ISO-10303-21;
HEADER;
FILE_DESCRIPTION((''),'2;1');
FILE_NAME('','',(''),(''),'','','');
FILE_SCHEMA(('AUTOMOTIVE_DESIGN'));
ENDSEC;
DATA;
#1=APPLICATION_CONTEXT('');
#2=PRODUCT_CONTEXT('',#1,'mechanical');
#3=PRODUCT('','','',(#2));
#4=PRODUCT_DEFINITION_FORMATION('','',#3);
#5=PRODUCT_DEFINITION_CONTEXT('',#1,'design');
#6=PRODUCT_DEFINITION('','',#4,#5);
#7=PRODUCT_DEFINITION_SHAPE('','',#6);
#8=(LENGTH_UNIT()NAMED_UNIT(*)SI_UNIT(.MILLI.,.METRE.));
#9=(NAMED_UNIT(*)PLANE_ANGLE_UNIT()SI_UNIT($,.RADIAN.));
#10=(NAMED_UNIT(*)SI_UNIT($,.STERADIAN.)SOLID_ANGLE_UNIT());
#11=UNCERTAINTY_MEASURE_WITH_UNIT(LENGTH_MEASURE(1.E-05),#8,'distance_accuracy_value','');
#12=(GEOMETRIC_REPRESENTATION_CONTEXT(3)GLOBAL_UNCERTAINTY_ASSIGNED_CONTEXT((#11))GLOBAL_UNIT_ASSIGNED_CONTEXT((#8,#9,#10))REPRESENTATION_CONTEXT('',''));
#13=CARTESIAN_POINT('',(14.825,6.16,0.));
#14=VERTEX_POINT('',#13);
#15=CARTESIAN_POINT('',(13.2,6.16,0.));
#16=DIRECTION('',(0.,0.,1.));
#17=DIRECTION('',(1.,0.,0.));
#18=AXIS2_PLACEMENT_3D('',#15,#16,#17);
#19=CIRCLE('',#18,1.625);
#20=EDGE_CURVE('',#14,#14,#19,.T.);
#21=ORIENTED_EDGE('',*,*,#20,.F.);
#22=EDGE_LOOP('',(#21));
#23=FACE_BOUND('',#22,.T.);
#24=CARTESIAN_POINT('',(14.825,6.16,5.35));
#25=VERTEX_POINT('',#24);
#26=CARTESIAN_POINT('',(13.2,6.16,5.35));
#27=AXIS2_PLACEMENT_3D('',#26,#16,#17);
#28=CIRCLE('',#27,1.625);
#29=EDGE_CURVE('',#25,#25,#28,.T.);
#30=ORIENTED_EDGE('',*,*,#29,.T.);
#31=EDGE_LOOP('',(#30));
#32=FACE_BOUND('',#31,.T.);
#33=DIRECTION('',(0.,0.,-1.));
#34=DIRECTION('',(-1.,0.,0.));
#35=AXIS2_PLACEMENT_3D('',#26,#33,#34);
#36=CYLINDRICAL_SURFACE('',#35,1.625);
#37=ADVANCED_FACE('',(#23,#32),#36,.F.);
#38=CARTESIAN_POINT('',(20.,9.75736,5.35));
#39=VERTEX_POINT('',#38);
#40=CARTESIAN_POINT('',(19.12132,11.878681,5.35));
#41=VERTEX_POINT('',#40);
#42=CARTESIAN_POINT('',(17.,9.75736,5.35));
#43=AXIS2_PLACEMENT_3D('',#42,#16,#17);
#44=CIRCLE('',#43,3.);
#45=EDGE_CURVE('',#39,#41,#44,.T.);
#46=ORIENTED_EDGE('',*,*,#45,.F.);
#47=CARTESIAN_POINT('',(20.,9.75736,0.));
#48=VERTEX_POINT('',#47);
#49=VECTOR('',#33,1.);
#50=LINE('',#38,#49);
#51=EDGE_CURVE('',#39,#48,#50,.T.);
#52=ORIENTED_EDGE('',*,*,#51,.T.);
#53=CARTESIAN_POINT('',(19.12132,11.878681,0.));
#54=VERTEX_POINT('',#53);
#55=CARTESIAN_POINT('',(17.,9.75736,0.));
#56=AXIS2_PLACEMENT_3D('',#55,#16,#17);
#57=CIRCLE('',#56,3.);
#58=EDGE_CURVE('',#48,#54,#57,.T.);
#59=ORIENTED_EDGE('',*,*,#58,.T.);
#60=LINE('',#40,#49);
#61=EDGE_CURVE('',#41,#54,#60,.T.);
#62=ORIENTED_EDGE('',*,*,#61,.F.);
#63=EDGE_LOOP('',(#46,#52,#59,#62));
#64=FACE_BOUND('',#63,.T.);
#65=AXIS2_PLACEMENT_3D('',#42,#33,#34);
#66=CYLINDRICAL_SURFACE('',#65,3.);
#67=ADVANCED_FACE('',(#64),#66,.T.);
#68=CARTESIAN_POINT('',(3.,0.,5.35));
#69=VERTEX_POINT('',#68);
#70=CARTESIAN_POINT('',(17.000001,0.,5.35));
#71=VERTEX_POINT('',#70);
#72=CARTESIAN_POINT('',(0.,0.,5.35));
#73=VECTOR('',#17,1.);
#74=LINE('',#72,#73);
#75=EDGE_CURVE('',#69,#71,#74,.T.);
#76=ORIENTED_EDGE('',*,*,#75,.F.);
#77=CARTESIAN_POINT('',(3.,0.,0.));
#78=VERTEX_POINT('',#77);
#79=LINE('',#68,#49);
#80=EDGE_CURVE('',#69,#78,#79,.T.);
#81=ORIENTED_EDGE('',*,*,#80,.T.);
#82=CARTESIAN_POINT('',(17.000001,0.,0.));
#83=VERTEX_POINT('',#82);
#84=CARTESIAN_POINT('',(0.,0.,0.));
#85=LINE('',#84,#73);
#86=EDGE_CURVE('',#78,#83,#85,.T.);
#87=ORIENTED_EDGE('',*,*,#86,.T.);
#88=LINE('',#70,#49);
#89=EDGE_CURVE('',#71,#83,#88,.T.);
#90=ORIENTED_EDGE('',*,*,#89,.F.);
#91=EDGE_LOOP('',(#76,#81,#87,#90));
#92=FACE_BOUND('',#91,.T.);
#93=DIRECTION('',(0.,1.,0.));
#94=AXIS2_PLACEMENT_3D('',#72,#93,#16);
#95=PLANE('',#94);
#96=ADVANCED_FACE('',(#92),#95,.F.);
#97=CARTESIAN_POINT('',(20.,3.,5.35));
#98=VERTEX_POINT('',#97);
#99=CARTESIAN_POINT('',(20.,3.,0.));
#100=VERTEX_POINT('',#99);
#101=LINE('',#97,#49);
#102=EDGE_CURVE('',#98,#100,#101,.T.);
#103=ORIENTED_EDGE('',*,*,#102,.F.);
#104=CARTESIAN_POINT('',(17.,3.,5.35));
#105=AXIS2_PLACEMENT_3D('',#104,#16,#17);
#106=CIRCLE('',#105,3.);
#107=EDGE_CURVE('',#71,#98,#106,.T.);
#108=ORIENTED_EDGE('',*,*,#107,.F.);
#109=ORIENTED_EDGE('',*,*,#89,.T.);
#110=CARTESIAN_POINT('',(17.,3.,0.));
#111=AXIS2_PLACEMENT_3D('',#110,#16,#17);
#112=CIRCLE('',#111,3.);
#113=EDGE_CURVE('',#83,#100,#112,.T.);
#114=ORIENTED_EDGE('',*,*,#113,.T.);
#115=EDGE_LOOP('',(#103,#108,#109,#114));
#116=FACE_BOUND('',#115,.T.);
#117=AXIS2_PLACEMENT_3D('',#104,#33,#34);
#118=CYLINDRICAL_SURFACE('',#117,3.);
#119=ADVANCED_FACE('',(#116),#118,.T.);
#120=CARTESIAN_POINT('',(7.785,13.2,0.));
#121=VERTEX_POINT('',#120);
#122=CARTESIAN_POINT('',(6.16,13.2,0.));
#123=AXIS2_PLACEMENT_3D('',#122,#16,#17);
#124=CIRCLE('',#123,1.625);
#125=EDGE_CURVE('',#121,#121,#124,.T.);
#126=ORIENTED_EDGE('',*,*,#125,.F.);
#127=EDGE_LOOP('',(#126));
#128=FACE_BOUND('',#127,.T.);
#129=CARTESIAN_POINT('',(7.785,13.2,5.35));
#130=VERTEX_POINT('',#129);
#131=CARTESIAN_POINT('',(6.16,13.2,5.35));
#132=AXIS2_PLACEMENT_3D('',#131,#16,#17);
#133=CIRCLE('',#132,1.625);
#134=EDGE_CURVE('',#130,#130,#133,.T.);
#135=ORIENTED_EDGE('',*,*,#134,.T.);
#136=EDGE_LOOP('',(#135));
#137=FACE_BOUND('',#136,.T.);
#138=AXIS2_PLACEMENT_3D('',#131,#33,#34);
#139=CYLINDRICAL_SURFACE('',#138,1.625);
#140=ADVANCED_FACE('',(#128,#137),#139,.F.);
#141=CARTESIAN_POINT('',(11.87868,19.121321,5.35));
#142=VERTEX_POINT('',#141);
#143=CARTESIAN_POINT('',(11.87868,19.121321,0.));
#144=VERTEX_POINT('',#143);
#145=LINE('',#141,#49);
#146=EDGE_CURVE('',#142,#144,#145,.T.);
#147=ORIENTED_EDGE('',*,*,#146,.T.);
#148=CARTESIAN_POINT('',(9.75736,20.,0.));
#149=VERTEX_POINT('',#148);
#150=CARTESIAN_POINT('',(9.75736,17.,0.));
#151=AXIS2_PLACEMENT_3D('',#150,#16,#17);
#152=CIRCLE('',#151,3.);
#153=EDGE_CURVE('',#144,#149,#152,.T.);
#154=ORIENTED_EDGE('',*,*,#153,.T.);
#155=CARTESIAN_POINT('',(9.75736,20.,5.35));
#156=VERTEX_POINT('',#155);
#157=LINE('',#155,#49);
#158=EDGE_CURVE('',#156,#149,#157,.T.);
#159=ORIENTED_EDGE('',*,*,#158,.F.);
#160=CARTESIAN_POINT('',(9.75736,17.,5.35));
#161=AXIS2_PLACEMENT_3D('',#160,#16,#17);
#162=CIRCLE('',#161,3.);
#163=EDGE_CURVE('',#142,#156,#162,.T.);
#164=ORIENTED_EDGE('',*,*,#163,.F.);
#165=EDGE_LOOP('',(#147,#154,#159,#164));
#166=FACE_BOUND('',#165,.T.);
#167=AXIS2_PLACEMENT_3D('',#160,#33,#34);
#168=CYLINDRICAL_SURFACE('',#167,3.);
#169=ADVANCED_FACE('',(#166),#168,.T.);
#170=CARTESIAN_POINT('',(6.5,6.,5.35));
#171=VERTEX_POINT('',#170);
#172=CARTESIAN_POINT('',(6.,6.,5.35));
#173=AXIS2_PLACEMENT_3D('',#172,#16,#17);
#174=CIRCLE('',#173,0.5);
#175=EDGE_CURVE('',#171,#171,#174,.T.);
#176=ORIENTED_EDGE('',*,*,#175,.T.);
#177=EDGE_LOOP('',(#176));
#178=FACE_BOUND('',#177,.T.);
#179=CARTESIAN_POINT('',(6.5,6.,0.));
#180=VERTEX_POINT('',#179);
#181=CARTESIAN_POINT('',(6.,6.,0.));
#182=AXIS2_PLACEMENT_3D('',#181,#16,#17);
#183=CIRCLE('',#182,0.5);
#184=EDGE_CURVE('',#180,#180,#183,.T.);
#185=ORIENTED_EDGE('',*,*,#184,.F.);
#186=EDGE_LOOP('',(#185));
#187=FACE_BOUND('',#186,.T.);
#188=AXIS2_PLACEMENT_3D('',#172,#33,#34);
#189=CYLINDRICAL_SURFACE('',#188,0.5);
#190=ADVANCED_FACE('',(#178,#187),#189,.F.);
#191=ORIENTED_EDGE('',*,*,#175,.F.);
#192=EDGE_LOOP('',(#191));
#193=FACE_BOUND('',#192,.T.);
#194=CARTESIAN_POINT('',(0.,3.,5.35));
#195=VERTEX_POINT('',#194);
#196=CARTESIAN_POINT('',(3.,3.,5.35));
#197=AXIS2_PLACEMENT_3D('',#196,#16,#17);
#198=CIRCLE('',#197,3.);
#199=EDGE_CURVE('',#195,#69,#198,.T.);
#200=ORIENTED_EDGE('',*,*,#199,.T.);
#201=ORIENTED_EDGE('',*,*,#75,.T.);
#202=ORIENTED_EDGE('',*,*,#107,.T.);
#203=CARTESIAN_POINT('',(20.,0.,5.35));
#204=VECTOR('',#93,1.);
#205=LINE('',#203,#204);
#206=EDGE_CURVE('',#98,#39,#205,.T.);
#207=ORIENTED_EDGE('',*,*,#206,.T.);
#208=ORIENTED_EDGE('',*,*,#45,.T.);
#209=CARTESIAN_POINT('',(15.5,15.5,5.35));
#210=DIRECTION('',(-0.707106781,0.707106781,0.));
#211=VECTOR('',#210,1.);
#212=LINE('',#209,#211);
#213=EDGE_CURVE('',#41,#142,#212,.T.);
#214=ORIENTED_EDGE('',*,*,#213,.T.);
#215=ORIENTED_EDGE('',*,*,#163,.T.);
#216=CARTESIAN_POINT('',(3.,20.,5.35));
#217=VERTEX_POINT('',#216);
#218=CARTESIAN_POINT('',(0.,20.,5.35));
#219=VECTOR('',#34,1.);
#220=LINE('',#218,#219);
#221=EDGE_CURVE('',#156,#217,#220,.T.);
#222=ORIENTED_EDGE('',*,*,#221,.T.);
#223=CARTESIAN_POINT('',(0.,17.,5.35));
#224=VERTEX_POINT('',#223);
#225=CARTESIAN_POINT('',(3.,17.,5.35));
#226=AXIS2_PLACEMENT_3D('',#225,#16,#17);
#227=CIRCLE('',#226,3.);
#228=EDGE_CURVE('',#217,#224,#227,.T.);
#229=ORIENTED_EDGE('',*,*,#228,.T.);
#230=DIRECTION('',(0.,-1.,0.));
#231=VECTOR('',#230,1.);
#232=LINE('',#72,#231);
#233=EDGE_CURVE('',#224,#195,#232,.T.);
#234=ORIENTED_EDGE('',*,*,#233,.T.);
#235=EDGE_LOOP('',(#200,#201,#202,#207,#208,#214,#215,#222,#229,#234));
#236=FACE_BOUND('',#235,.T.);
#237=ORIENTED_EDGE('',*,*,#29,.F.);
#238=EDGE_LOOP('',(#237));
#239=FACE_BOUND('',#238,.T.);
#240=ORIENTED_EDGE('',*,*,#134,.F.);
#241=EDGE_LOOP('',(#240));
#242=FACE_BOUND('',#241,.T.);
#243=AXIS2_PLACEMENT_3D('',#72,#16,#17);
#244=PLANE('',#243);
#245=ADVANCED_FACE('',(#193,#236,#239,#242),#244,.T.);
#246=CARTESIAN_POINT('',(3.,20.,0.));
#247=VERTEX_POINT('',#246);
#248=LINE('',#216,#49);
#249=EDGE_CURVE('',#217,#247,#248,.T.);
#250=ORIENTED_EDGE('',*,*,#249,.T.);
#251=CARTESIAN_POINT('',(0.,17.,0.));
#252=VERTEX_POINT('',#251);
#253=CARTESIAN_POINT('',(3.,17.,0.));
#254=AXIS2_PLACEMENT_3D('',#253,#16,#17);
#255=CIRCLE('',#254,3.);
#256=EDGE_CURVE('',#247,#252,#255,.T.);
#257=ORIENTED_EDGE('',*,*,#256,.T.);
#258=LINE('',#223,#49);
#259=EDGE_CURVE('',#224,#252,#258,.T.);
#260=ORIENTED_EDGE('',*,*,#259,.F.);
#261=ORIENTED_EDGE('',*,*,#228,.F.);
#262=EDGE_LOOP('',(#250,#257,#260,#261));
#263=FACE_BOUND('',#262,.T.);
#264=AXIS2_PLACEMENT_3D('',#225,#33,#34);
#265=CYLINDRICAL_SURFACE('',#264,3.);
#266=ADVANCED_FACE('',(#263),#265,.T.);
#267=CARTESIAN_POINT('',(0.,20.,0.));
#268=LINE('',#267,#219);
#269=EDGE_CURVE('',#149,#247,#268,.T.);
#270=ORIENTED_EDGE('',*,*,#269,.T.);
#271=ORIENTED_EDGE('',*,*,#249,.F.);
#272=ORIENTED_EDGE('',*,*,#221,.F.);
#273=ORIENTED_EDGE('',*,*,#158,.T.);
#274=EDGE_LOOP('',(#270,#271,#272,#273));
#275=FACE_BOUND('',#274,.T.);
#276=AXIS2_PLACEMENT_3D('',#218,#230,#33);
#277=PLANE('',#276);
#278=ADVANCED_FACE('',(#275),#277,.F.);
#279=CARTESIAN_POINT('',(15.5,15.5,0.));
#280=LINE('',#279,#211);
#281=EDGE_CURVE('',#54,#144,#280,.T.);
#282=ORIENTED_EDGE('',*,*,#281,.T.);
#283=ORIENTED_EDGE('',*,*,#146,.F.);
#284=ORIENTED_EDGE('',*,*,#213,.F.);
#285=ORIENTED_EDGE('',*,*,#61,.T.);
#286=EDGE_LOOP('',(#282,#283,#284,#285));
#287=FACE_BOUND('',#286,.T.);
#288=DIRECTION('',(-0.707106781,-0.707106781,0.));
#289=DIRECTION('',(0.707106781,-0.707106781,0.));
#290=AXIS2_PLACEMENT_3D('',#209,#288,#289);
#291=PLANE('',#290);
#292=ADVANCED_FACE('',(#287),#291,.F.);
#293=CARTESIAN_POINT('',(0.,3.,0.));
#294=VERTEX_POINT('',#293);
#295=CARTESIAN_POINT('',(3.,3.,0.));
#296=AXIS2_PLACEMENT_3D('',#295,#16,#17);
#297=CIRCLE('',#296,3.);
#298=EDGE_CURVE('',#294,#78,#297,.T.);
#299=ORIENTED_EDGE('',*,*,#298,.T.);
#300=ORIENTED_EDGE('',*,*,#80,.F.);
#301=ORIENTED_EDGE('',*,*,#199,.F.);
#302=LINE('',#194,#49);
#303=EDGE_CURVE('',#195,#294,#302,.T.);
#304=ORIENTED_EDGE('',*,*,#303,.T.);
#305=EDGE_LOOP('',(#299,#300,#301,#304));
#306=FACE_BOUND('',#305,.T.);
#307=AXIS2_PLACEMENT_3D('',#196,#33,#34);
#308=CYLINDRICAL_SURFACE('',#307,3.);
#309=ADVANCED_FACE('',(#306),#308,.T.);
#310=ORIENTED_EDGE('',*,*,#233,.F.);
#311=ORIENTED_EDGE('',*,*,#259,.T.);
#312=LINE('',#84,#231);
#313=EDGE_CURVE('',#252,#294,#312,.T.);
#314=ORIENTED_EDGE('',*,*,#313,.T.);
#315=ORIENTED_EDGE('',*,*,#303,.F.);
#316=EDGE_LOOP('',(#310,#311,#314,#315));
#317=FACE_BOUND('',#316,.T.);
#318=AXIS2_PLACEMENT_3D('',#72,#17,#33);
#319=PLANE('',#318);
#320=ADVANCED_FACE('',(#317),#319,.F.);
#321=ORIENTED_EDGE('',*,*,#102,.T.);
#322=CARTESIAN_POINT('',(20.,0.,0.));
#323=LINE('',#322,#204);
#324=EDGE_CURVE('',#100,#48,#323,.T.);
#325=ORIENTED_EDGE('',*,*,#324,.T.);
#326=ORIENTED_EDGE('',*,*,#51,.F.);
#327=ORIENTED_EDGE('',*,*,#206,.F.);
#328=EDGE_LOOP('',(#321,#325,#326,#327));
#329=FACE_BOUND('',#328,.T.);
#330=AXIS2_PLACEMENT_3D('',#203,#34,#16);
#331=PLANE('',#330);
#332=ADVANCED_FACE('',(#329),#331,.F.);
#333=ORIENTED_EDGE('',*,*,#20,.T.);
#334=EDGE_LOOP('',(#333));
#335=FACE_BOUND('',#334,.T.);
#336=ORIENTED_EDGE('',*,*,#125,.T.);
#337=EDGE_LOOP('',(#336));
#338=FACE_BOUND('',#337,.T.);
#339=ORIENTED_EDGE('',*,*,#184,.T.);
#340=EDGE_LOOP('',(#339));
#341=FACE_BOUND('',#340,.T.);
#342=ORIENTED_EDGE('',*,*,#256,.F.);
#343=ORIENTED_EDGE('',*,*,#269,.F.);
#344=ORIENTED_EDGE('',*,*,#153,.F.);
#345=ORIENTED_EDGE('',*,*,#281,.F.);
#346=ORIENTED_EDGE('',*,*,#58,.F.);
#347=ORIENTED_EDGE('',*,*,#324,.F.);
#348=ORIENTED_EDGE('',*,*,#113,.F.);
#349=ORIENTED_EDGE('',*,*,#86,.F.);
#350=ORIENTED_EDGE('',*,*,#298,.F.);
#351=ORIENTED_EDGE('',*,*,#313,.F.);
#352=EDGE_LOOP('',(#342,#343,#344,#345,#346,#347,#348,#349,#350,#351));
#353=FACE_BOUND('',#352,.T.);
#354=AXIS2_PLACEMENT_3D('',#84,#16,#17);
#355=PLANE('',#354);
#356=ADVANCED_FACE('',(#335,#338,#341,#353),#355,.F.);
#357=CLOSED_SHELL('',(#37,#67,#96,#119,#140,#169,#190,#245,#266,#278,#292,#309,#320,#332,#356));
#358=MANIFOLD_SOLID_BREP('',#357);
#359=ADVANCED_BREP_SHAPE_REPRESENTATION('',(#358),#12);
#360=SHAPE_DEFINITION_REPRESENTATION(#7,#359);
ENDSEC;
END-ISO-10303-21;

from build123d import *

# Parameters (mm, degrees)
MODEL_R             = 1.625
MODEL_R_2           = 0.5
BOSS_EXTRUDE1_DEPTH = 5.35


with BuildPart() as part:
    # Model → Boss-Extrude1 (new body)
    with BuildSketch(Plane.XY):
        with BuildLine():
            Line((0, 16.999999553), (0, 3.000000026))
            ThreePointArc((0, 3.000000026), (0.878679647, 0.878679666), (3, 0))
            Line((3, 0), (17.000000924, 0))
            ThreePointArc((17.000000924, 0), (19.121320381, 0.878680141), (19.999999553, 3))
            Line((19.999999553, 3), (19.999999553, 9.757359512))
            ThreePointArc((19.999999553, 9.757359512), (19.771638279, 10.905410171), (19.121319897, 11.878680528))
            Line((19.121319897, 11.878680528), (11.878679506, 19.121320918))
            ThreePointArc((11.878679506, 19.121320918), (10.905409814, 19.771638427), (9.757360185, 19.999999553))
            Line((9.757360185, 19.999999553), (3.000000026, 19.999999553))
            ThreePointArc((3.000000026, 19.999999553), (0.878679666, 19.121319906), (0, 16.999999553))
        make_face()
        with Locations((6.16, 13.2)):
            Circle(MODEL_R, mode=Mode.SUBTRACT)
        with Locations((13.2, 6.16)):
            Circle(MODEL_R, mode=Mode.SUBTRACT)
        with Locations((6, 6)):
            Circle(MODEL_R_2, mode=Mode.SUBTRACT)
    extrude(amount=BOSS_EXTRUDE1_DEPTH)


solid = part.part
